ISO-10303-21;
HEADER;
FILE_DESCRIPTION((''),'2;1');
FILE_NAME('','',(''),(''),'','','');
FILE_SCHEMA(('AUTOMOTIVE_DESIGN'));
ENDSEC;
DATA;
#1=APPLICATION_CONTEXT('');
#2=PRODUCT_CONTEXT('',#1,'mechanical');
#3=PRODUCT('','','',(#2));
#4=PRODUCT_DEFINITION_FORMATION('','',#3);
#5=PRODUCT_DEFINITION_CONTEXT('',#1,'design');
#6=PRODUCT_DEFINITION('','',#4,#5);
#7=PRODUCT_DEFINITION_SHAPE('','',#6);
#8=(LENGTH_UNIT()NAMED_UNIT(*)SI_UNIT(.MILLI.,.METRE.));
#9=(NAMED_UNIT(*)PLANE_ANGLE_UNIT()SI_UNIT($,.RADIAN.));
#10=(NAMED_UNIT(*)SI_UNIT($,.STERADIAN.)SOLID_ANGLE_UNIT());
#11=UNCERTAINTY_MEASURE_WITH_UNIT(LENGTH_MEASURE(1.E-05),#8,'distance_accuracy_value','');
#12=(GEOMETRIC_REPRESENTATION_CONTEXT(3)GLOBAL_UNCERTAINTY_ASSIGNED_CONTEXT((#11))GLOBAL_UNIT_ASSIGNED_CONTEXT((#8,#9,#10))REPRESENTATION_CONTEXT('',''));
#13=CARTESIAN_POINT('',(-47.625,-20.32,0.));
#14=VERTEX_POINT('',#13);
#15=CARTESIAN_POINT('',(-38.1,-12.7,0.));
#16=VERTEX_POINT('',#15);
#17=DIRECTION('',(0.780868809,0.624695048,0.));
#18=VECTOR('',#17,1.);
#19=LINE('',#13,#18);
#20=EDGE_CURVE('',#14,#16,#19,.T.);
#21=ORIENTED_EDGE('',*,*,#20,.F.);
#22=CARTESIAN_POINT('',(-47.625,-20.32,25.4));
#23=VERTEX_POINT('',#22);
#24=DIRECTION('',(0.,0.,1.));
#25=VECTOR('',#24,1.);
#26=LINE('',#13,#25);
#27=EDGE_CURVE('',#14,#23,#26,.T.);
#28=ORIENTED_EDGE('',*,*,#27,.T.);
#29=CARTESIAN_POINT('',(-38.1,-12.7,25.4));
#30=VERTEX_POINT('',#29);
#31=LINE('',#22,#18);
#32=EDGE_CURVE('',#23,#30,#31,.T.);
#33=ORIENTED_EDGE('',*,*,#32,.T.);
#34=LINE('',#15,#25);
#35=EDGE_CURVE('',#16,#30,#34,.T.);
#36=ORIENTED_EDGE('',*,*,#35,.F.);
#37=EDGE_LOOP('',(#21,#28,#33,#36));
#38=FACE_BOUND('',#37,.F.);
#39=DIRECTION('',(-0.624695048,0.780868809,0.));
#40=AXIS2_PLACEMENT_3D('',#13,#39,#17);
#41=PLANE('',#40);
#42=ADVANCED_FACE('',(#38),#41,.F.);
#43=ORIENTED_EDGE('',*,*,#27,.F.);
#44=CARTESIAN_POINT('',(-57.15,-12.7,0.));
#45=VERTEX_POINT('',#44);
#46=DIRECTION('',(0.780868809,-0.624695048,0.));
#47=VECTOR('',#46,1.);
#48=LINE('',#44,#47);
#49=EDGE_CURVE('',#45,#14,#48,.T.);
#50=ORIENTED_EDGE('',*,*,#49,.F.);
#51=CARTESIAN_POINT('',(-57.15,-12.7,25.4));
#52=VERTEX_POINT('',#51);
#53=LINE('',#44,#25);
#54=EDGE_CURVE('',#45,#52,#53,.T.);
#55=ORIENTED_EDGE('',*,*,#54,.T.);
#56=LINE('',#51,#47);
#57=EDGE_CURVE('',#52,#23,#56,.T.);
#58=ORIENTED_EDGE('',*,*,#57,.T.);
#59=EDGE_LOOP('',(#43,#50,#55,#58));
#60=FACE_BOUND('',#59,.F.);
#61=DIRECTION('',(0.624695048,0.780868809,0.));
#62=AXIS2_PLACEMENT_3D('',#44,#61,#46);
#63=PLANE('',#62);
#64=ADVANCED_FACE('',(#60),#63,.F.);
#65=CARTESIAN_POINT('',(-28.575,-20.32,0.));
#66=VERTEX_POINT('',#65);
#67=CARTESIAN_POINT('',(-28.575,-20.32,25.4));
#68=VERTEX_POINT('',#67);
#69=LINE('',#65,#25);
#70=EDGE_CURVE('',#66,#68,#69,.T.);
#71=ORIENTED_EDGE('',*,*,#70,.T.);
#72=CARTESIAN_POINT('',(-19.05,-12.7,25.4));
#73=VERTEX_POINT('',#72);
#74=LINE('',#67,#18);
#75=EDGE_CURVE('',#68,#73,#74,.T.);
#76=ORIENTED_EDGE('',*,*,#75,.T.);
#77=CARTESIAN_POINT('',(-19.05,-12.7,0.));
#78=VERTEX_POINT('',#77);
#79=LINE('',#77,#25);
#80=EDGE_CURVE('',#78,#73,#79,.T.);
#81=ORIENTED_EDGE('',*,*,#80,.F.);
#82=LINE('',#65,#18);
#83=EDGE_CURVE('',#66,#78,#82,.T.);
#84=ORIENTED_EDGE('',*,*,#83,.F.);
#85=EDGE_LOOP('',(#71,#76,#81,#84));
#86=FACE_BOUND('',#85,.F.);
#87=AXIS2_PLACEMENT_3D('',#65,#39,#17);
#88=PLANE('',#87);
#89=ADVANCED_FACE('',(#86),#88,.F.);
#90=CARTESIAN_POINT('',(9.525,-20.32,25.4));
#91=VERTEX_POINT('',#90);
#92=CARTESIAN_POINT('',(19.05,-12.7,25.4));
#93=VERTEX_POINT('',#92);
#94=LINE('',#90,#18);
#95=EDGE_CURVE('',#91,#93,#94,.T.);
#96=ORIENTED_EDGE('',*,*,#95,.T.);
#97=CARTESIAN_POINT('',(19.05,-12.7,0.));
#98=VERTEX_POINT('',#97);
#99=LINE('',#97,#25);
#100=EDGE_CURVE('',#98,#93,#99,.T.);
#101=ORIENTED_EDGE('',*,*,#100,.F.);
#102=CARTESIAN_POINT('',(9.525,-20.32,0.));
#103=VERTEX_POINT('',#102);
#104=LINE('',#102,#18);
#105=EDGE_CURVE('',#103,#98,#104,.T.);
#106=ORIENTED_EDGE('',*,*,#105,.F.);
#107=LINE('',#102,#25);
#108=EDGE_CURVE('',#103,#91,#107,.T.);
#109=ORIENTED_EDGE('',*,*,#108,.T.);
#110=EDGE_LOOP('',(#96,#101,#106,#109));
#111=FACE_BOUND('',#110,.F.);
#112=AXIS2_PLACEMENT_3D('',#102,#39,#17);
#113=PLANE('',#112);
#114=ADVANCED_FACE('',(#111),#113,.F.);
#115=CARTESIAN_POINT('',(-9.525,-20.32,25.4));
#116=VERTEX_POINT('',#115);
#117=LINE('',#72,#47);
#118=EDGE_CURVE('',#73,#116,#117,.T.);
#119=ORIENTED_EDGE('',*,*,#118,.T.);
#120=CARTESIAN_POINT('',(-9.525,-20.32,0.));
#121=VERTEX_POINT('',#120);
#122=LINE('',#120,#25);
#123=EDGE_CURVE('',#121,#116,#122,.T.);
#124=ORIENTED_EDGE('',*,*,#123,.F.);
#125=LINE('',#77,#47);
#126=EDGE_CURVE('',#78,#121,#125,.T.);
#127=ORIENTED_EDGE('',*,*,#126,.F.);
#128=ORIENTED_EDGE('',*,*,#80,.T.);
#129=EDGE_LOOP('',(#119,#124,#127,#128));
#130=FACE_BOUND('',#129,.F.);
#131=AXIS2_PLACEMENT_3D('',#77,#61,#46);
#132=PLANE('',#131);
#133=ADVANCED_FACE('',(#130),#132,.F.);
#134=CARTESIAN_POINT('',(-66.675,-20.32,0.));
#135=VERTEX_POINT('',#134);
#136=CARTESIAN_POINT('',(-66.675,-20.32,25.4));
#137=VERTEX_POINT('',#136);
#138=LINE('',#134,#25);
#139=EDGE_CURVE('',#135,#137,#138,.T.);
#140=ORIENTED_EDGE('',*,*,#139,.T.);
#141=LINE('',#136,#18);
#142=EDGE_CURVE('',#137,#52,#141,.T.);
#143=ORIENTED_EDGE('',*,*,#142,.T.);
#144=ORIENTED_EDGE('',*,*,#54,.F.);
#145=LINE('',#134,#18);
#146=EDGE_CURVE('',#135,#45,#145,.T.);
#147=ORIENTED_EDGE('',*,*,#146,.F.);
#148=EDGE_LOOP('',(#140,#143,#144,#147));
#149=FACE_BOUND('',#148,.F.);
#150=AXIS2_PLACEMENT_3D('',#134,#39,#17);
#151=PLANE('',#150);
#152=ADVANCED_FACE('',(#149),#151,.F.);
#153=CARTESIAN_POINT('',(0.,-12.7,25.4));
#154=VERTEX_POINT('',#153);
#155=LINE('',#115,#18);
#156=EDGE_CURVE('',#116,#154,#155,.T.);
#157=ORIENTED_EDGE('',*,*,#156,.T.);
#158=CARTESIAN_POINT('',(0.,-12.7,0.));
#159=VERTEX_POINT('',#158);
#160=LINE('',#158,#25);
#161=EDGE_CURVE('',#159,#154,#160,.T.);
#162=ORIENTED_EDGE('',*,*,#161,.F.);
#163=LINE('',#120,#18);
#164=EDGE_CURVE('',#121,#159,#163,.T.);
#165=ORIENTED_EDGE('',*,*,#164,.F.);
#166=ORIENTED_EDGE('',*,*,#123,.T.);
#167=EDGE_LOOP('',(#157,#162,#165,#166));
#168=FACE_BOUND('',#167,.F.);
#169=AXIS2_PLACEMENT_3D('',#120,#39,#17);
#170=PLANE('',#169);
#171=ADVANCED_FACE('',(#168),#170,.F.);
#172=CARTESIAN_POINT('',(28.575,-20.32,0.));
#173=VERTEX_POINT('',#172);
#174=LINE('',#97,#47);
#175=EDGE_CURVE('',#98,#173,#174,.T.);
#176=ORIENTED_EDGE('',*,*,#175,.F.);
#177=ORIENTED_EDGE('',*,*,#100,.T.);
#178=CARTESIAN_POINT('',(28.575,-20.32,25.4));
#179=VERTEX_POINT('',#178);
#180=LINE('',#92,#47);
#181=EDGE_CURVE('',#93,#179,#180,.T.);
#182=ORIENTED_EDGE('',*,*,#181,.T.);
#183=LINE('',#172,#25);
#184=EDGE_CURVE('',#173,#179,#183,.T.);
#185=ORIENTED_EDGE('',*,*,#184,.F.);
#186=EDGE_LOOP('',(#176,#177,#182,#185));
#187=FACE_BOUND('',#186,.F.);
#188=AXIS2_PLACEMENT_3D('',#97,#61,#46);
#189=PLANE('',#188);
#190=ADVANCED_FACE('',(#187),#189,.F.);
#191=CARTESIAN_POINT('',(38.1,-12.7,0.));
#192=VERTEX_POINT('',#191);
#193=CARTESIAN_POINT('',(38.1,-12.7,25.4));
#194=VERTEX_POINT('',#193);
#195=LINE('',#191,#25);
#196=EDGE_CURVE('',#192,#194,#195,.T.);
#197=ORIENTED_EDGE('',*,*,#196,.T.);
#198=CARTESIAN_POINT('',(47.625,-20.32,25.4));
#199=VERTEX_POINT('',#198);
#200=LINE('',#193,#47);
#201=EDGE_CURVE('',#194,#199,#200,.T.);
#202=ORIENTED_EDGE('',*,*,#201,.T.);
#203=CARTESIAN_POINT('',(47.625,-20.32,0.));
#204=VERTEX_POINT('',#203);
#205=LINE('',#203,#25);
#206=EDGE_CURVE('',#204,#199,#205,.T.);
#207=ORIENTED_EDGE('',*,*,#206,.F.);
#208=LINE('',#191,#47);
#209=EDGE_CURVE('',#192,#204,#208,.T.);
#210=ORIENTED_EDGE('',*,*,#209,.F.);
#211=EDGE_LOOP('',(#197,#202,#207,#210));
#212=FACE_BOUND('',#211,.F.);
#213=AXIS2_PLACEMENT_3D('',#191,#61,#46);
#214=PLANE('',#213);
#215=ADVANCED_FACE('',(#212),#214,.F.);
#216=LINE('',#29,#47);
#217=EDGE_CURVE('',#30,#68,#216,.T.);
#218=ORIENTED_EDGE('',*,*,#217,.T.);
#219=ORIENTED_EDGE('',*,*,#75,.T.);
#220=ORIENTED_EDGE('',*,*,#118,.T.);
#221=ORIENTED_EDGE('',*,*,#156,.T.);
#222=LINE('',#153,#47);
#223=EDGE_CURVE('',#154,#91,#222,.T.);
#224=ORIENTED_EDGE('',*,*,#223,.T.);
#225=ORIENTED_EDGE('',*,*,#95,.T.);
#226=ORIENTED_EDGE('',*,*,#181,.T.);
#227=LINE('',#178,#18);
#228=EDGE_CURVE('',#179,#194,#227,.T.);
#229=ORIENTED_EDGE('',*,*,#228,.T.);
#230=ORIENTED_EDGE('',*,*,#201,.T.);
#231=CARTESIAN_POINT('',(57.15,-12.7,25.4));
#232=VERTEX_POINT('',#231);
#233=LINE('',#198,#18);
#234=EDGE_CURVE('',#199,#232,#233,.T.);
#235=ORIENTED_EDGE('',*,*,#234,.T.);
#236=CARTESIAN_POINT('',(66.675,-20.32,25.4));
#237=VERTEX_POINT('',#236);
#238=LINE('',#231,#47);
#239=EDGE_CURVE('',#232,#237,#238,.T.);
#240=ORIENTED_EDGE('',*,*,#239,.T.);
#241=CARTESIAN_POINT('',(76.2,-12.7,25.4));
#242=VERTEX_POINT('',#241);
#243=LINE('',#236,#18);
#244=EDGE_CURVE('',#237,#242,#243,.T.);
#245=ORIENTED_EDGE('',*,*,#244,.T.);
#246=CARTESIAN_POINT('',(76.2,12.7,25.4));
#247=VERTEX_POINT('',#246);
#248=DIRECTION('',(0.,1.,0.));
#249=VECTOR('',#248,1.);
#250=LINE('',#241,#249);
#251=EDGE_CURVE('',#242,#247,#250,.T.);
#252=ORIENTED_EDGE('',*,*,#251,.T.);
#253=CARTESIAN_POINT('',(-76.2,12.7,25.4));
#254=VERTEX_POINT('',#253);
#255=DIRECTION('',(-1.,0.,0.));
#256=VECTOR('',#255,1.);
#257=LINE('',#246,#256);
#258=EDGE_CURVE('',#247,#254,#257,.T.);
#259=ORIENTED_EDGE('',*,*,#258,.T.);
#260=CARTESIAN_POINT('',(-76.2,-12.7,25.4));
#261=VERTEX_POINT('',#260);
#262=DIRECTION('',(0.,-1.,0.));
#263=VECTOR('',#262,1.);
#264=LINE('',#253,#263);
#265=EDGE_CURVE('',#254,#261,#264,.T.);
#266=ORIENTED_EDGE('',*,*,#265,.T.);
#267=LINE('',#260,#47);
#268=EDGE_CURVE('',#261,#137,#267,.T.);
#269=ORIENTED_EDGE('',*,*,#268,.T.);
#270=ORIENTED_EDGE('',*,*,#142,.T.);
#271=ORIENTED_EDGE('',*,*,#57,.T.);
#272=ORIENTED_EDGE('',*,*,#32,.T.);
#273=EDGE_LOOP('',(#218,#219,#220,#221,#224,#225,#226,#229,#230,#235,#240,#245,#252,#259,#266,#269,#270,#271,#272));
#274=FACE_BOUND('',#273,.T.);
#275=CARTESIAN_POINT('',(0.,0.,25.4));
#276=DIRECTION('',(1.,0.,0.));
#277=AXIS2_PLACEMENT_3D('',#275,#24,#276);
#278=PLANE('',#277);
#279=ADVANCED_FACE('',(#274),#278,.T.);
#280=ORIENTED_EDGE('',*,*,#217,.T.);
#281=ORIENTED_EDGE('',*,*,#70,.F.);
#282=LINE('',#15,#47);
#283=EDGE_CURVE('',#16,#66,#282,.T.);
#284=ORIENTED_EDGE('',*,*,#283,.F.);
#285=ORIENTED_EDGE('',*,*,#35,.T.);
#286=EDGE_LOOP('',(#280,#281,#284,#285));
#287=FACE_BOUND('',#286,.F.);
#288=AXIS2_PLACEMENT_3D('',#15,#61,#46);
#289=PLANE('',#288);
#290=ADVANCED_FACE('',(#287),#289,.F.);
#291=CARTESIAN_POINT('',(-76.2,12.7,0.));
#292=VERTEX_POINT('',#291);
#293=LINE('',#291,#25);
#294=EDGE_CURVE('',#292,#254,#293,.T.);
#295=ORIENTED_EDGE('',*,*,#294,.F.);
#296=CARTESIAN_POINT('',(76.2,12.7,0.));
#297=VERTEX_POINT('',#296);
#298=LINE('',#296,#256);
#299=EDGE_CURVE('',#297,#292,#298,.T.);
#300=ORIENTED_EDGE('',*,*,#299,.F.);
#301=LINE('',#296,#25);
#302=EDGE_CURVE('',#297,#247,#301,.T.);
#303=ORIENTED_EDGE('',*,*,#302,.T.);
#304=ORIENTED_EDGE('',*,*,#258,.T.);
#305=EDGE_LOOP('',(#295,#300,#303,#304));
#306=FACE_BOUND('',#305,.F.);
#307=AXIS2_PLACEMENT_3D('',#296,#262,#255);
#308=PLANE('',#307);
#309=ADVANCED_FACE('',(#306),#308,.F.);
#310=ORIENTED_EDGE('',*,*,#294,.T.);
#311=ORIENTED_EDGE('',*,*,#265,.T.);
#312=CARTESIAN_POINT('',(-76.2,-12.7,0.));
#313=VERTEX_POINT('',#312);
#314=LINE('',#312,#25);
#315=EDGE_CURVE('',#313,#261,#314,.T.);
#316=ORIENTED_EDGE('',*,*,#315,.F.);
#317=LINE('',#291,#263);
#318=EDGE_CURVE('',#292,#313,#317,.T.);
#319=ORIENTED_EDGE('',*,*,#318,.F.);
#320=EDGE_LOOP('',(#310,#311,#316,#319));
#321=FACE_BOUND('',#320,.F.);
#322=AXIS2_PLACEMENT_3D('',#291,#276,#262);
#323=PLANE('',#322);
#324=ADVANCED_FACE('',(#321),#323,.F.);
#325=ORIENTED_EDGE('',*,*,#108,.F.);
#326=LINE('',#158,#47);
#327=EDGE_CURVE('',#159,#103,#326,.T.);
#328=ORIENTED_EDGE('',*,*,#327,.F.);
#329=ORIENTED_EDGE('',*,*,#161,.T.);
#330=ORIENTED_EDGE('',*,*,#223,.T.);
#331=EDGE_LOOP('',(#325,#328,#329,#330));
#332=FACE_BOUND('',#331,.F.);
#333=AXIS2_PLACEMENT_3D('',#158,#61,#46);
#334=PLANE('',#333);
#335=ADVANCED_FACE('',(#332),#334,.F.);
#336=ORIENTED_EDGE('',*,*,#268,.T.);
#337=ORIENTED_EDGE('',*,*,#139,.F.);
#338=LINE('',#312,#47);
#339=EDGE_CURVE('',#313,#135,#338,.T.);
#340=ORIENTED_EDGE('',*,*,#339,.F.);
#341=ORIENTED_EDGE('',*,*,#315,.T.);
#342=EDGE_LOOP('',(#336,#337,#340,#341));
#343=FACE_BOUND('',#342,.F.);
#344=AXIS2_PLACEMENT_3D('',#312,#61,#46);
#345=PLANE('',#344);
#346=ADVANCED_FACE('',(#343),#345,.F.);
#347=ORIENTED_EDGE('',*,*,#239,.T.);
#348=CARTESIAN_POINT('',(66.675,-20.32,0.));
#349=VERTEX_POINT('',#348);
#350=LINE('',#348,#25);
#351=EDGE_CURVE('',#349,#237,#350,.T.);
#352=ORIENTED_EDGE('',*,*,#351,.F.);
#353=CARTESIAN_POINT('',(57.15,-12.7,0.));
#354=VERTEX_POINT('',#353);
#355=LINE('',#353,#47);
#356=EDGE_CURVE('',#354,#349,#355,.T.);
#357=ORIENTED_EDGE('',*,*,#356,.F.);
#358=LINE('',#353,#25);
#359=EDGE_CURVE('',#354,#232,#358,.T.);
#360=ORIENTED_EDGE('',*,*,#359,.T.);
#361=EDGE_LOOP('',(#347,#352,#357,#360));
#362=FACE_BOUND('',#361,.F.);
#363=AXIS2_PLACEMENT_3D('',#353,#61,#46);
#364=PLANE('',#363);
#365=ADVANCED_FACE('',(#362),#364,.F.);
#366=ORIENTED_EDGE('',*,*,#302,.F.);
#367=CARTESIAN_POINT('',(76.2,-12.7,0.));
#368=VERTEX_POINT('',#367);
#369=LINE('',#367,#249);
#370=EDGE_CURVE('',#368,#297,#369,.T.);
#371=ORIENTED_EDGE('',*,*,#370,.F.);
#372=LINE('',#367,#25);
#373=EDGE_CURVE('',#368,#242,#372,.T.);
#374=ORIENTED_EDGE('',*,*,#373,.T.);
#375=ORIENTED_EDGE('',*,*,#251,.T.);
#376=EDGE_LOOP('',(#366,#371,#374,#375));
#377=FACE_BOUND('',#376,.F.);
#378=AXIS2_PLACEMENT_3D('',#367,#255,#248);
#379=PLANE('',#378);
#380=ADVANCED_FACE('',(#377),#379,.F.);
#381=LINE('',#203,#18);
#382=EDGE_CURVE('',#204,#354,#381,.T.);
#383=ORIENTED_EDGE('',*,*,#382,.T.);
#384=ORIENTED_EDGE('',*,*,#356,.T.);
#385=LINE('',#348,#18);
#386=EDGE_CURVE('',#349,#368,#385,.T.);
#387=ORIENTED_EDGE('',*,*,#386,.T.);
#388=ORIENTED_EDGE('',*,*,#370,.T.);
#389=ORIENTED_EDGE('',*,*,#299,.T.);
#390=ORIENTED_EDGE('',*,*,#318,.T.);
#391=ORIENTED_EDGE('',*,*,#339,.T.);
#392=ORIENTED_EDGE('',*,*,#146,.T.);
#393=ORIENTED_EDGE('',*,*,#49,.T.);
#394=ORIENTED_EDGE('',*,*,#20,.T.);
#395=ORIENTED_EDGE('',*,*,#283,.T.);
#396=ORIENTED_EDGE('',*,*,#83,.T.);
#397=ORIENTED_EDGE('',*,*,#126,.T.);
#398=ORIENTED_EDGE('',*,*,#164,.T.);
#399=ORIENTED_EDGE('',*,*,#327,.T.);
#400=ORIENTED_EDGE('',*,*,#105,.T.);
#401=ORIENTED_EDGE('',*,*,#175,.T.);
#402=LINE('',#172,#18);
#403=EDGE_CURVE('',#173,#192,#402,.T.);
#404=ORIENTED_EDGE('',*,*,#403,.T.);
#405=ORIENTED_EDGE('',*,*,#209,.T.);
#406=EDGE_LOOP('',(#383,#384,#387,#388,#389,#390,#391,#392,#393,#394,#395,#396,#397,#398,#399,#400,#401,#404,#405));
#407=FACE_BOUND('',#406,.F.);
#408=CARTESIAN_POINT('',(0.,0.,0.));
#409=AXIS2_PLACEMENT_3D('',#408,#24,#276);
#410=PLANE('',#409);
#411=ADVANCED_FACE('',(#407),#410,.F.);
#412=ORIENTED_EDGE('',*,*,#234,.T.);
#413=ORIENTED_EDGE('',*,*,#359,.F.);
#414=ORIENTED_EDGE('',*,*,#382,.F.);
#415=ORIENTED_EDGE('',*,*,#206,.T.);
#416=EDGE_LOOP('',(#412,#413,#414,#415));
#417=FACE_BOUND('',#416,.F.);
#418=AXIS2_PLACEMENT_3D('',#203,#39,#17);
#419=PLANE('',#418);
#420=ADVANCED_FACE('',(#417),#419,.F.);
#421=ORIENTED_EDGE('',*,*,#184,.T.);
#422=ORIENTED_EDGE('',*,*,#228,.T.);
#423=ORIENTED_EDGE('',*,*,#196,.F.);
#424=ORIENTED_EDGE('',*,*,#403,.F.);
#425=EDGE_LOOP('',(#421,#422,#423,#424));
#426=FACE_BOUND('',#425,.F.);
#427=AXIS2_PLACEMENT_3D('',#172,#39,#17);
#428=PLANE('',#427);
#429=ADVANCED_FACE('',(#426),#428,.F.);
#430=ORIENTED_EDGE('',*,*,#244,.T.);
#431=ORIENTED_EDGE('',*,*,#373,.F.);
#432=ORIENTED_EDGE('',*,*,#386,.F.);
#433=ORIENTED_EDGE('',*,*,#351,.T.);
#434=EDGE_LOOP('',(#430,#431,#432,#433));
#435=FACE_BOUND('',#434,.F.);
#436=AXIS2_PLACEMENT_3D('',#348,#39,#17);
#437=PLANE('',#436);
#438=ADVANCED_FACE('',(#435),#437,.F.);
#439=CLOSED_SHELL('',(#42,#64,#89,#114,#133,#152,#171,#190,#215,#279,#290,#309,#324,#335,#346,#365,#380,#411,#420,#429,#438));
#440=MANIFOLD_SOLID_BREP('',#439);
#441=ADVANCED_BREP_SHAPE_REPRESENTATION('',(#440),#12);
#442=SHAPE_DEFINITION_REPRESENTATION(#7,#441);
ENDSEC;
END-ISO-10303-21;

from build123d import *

# Parameters (mm, degrees)
F1_DEPTH = 25.4


with BuildPart() as f1:
    # F0 (on Top) → F1 (new body)
    with BuildSketch(Plane.XY):
        Polygon((76.2, -12.7), (76.2, 12.7), (-76.2, 12.7), (-76.2, -12.7), (-57.15, -12.7), (-38.1, -12.7), (-19.05, -12.7), (0, -12.7), (19.05, -12.7), (38.1, -12.7), (57.15, -12.7), align=None)
        Polygon((66.675, -20.32), (76.2, -12.7), (57.15, -12.7), align=None)
        Polygon((-57.15, -12.7), (-76.2, -12.7), (-66.675, -20.32), align=None)
        Polygon((47.625, -20.32), (57.15, -12.7), (38.1, -12.7), align=None)
        Polygon((-38.1, -12.7), (-57.15, -12.7), (-47.625, -20.32), align=None)
        Polygon((28.575, -20.32), (38.1, -12.7), (19.05, -12.7), align=None)
        Polygon((-19.05, -12.7), (-38.1, -12.7), (-28.575, -20.32), align=None)
        Polygon((9.525, -20.32), (19.05, -12.7), (0, -12.7), align=None)
        Polygon((0, -12.7), (-19.05, -12.7), (-9.525, -20.32), align=None)
    extrude(amount=F1_DEPTH)


solid = f1.part
